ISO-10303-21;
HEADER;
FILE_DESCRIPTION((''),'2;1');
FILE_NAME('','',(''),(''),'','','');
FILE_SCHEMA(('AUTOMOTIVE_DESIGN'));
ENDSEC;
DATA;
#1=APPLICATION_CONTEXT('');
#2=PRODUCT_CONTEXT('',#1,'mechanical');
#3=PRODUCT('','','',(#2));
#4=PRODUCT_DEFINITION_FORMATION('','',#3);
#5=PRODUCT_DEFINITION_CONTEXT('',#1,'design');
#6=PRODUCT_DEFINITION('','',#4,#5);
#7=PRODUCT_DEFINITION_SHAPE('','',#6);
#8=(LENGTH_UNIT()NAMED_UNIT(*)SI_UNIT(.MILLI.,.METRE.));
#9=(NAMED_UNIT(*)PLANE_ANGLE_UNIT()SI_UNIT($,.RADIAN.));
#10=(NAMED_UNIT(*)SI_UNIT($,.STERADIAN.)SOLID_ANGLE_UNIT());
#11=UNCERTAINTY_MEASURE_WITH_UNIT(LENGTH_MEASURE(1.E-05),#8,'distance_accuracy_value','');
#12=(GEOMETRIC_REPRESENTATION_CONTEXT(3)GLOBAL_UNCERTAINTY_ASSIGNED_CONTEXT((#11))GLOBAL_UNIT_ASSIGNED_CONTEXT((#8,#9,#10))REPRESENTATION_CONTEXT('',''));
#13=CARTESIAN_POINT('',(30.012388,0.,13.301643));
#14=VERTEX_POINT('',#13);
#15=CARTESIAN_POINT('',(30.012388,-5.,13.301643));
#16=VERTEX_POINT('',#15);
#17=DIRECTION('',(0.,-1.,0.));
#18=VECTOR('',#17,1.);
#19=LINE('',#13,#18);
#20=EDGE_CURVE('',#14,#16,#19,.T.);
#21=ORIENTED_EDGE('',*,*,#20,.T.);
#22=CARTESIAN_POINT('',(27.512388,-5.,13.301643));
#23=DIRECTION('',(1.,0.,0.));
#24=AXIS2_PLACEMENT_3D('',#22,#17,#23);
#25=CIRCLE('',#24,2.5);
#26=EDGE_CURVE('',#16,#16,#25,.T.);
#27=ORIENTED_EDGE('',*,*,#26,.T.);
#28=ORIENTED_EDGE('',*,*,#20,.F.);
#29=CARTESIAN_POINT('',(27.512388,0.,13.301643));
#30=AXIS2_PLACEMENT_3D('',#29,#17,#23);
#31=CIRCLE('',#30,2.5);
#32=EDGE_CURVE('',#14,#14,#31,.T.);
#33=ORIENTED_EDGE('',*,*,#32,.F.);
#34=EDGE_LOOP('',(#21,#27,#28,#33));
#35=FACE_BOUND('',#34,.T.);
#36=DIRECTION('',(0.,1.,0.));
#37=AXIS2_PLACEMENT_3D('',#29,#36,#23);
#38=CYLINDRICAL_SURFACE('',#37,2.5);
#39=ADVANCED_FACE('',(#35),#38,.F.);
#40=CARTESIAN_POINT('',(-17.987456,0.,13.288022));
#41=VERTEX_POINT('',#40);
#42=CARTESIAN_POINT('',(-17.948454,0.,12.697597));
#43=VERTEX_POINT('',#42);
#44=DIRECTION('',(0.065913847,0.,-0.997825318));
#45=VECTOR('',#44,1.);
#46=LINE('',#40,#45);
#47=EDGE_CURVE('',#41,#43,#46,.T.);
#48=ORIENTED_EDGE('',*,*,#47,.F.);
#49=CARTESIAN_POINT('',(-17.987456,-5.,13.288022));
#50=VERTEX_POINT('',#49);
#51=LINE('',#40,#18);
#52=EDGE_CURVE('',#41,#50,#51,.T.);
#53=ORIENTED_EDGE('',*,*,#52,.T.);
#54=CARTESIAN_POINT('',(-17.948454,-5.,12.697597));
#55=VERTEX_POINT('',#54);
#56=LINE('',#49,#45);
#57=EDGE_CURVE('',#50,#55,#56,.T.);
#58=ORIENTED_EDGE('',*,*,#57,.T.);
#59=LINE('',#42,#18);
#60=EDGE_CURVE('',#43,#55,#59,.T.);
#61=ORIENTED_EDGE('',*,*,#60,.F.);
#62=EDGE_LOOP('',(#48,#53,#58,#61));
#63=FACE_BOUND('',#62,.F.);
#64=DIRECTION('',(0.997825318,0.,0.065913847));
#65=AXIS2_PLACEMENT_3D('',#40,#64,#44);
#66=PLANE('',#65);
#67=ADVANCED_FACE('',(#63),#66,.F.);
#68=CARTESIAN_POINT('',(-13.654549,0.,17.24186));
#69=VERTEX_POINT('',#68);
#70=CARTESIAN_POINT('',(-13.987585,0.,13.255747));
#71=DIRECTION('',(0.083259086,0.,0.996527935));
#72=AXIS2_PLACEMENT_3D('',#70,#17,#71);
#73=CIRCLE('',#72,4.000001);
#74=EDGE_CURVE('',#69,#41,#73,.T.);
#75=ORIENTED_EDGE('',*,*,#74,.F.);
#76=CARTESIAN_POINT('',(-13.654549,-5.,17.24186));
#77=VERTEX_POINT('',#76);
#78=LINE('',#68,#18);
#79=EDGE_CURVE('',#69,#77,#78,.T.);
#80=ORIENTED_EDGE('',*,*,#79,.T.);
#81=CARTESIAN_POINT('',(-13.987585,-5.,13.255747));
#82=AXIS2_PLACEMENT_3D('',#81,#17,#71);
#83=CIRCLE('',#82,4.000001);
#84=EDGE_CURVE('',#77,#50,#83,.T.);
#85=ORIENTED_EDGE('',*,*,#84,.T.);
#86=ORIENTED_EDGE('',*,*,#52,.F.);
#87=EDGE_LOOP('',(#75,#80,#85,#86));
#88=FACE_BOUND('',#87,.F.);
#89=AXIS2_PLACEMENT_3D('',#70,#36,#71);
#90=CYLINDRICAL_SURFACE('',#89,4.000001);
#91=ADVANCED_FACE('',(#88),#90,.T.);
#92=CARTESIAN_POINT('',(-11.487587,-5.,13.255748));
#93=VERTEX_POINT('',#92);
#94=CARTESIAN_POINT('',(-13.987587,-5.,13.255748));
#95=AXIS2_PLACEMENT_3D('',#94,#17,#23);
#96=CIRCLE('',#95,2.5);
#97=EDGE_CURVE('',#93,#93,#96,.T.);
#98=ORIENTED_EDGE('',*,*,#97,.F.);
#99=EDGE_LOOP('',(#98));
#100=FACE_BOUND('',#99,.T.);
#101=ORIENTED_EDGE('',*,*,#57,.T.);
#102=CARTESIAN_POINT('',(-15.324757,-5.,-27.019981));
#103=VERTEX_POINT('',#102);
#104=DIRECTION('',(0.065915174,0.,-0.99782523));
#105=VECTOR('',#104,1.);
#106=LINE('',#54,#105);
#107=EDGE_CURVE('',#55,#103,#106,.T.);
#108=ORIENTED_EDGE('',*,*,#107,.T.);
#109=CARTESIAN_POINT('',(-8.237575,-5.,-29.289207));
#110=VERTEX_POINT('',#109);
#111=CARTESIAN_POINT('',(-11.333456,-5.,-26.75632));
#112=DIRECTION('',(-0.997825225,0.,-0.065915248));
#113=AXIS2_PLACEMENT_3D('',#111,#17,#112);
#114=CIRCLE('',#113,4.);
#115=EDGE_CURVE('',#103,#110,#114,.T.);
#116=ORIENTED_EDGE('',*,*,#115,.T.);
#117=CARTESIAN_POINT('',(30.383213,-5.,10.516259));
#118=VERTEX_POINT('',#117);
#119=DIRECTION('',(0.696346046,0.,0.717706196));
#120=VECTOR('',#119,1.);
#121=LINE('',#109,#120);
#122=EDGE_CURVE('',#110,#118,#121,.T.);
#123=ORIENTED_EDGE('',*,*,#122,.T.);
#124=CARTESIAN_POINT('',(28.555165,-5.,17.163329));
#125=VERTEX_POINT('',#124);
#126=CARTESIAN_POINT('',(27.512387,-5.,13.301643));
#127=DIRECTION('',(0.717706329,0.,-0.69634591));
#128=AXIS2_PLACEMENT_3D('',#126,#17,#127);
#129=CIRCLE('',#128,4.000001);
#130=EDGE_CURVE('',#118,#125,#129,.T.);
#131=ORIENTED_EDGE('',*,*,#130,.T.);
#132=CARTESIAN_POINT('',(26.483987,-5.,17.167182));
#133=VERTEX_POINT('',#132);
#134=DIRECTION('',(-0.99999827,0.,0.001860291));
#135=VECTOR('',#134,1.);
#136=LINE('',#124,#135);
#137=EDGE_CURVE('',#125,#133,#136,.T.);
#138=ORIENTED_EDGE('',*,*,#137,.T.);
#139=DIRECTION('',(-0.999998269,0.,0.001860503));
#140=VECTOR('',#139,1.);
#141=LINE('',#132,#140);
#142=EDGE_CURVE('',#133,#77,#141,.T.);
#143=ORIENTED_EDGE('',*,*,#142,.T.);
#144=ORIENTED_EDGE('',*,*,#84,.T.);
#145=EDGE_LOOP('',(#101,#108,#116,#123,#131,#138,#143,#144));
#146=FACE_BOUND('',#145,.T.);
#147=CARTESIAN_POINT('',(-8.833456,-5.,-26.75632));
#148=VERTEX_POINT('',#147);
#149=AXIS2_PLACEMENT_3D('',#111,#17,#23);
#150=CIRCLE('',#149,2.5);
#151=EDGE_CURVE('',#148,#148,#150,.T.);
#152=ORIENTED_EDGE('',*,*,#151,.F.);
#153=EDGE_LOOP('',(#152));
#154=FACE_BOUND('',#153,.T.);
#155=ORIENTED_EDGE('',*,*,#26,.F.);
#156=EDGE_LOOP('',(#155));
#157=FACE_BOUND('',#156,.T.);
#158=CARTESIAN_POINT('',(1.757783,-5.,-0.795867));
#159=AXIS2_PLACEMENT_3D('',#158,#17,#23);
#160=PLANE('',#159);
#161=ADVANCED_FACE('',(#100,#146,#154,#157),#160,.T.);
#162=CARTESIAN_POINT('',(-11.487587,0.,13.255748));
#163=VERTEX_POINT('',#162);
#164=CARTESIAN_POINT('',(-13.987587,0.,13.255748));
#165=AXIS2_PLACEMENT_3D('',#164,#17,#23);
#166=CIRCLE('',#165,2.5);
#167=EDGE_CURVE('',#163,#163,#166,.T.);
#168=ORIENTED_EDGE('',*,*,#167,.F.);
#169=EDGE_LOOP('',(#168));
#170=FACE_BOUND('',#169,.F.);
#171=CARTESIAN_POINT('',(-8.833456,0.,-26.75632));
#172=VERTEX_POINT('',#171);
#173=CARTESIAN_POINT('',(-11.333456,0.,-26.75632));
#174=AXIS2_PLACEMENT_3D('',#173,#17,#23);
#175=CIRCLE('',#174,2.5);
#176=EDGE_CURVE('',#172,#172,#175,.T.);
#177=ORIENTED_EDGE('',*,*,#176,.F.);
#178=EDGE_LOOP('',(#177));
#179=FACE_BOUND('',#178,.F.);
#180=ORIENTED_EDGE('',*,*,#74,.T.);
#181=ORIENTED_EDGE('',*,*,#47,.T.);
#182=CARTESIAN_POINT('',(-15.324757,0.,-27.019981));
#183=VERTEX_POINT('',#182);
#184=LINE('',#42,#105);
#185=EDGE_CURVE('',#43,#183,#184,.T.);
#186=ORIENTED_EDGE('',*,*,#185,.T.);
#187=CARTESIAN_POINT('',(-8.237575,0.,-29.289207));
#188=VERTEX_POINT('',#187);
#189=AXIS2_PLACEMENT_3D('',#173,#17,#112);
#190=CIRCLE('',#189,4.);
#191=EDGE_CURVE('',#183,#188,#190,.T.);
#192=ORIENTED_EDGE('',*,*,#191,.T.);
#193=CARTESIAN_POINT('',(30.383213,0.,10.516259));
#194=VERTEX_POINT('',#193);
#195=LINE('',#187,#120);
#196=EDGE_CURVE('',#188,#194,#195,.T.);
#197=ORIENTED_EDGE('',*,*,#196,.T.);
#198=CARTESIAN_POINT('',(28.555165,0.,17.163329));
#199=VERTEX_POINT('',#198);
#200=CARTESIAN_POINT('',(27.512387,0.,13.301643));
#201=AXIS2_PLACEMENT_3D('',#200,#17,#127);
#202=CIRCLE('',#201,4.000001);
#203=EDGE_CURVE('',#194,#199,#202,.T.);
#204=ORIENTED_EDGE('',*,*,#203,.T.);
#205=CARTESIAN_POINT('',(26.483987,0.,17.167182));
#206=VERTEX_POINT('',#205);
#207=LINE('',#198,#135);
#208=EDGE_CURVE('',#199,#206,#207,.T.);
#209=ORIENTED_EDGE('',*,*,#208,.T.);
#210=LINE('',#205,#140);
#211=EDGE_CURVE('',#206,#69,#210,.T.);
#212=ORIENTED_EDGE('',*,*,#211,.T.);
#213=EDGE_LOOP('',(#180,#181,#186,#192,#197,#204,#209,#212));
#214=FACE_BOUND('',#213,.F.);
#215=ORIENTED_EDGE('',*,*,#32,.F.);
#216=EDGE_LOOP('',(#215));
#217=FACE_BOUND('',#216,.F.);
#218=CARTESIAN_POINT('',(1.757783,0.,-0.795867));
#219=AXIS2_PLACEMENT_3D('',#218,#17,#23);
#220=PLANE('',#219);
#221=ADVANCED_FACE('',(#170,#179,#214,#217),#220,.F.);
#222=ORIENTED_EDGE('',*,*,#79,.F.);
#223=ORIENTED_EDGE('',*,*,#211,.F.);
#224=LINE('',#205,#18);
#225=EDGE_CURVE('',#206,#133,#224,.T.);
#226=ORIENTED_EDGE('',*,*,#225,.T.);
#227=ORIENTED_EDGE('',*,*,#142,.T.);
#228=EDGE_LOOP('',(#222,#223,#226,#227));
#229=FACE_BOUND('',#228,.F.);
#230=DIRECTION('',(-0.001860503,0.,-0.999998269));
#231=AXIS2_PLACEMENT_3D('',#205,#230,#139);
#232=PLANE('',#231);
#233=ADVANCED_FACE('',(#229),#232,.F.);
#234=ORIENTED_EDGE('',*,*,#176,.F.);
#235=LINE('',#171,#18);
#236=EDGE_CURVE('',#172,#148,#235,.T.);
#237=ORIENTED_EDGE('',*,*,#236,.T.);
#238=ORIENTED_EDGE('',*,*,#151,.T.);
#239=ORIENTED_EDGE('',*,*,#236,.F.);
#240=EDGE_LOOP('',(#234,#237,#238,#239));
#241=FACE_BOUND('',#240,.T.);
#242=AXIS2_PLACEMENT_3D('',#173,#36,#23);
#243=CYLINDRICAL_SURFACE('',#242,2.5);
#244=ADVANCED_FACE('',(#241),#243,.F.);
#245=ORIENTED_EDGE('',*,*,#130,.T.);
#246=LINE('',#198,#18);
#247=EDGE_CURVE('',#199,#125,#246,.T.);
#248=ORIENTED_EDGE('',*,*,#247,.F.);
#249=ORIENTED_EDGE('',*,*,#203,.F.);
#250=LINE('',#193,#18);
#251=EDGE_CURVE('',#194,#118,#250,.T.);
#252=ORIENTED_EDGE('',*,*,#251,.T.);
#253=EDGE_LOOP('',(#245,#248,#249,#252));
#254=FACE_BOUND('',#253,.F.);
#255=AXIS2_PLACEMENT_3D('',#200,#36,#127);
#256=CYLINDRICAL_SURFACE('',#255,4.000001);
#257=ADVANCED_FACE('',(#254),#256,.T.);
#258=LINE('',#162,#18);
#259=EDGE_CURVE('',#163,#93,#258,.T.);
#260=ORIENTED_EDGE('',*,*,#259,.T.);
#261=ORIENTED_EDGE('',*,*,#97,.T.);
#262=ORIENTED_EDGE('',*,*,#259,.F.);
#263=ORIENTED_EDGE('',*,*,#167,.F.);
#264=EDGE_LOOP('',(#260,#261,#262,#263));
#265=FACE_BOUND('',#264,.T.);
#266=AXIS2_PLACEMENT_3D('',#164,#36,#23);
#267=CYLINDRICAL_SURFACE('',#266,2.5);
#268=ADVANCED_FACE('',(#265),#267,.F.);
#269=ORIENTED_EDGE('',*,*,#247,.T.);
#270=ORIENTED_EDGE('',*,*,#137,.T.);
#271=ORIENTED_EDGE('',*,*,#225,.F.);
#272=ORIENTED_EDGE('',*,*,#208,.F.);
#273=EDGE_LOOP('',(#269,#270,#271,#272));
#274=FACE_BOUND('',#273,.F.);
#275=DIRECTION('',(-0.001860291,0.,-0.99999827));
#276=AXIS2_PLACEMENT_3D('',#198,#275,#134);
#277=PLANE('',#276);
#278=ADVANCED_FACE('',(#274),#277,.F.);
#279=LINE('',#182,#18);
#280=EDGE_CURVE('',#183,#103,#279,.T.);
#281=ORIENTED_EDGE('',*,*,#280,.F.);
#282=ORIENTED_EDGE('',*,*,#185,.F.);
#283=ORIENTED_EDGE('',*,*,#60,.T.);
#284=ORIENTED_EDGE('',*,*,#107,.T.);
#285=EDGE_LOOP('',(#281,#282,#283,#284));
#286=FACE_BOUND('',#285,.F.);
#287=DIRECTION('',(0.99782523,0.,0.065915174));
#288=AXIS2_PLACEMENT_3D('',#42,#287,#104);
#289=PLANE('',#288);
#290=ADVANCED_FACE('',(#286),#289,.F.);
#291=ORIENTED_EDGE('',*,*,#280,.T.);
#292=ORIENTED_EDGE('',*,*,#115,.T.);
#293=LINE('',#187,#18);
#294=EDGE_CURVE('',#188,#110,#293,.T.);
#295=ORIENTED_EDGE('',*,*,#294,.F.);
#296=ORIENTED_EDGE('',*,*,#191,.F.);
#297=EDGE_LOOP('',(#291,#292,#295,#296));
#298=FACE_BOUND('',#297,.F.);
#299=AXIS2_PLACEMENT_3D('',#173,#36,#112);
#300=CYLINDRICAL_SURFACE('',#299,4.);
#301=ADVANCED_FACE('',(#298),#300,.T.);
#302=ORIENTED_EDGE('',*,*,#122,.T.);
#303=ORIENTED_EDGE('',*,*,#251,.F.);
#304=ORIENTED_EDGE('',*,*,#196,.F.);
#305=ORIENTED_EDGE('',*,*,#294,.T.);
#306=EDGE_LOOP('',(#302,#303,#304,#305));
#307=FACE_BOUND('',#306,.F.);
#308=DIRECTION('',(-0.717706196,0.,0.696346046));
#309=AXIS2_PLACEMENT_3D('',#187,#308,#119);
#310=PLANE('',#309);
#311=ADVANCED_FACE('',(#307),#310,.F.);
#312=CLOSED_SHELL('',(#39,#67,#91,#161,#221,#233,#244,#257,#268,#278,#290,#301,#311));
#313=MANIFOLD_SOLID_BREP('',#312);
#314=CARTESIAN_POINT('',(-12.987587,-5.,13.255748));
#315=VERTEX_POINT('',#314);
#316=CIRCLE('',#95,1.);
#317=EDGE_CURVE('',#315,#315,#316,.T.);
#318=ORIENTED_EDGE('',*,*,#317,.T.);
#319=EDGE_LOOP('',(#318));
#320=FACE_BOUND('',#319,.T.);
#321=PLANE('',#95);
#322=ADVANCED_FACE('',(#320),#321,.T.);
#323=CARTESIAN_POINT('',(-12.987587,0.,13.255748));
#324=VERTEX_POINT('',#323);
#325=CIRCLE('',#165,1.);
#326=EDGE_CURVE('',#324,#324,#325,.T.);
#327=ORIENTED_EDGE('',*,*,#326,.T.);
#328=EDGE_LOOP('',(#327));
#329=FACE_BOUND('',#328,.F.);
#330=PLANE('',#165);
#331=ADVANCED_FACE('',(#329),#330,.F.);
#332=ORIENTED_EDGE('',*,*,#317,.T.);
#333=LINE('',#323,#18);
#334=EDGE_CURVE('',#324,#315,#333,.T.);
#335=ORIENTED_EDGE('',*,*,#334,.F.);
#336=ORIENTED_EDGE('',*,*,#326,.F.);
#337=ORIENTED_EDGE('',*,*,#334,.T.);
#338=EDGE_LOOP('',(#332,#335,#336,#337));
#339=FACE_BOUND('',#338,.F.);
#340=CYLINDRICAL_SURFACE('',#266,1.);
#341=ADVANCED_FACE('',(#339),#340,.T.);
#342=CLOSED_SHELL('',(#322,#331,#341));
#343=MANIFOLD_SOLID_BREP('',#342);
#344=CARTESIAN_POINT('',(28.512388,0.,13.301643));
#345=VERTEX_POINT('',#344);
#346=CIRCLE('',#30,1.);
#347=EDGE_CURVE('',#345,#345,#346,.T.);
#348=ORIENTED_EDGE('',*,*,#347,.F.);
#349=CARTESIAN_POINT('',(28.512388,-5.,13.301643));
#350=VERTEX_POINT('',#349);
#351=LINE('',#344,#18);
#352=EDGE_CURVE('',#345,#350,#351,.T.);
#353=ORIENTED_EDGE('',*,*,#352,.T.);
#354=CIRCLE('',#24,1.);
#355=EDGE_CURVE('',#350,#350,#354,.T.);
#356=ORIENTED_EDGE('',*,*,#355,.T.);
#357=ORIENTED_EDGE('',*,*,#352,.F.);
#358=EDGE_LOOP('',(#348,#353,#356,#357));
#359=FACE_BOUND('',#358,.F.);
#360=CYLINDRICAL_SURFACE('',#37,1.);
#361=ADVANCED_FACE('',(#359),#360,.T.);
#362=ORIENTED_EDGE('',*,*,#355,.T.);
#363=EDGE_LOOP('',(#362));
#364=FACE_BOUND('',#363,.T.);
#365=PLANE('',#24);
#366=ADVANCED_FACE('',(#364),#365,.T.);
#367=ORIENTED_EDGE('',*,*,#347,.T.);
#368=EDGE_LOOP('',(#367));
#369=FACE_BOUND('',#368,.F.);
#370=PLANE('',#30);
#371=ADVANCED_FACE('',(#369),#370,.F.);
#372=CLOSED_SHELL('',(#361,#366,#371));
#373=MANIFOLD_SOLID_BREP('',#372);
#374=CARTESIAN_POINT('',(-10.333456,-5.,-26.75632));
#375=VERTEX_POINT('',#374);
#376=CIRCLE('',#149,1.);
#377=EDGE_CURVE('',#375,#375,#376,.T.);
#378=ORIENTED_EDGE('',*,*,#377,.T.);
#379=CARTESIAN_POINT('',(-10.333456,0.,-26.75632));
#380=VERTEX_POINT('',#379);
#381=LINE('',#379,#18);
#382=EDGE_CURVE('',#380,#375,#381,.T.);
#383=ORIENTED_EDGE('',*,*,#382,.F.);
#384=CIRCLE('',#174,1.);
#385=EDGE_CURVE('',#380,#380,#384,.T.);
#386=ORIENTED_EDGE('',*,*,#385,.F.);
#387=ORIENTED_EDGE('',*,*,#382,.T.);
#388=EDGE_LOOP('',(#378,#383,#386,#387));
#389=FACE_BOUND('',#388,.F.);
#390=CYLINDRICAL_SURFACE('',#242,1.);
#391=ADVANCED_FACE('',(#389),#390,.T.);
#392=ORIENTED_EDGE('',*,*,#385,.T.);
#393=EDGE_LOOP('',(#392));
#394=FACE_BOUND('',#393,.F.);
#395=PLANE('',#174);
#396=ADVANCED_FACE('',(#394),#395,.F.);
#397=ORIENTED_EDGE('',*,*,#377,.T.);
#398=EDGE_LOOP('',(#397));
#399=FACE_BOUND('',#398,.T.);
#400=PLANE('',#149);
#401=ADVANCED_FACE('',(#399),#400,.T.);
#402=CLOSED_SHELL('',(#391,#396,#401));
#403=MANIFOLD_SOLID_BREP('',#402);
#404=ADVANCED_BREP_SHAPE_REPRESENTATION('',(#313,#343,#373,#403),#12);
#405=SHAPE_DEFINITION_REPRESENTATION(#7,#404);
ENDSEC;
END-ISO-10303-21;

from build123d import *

# Parameters (mm, degrees)
F0_R     = 2.5
F1_DEPTH = 5
F0_R_2   = 1
F2_DEPTH = 5


with BuildPart() as f1:
    # F0 (on Front) → F1 (new body)
    with BuildSketch(Plane.XZ):
        with BuildLine():
            Line((26.483987, 17.167182), (-13.654549, 17.24186))
            ThreePointArc((-13.654549, 17.24186), (-16.68381, 16.210469), (-17.987456, 13.288022))
            Line((-17.987456, 13.288022), (-17.948454, 12.697597))
            Line((-17.948454, 12.697597), (-15.324757, -27.019981))
            ThreePointArc((-15.324757, -27.019981), (-12.553207, -30.565809), (-8.237575, -29.289207))
            Line((-8.237575, -29.289207), (30.383213, 10.516259))
            ThreePointArc((30.383213, 10.516259), (31.369194, 14.362325), (28.555165, 17.163329))
            Line((28.555165, 17.163329), (26.483987, 17.167182))
        make_face()
        with Locations((-11.333456, -26.75632)):
            Circle(F0_R, mode=Mode.SUBTRACT)
        with Locations((-13.987587, 13.255748)):
            Circle(F0_R, mode=Mode.SUBTRACT)
        with Locations((27.512388, 13.301643)):
            Circle(F0_R, mode=Mode.SUBTRACT)
    extrude(amount=F1_DEPTH)


with BuildPart() as f2:
    # F0 (on Front) → F2 (new body)
    with BuildSketch(Plane.XZ):
        with Locations((-13.987587, 13.255748)):
            Circle(F0_R_2)
        with Locations((27.512388, 13.301643)):
            Circle(F0_R_2)
        with Locations((-11.333456, -26.75632)):
            Circle(F0_R_2)
    extrude(amount=F2_DEPTH)


solid = Compound([f1.part, f2.part])
